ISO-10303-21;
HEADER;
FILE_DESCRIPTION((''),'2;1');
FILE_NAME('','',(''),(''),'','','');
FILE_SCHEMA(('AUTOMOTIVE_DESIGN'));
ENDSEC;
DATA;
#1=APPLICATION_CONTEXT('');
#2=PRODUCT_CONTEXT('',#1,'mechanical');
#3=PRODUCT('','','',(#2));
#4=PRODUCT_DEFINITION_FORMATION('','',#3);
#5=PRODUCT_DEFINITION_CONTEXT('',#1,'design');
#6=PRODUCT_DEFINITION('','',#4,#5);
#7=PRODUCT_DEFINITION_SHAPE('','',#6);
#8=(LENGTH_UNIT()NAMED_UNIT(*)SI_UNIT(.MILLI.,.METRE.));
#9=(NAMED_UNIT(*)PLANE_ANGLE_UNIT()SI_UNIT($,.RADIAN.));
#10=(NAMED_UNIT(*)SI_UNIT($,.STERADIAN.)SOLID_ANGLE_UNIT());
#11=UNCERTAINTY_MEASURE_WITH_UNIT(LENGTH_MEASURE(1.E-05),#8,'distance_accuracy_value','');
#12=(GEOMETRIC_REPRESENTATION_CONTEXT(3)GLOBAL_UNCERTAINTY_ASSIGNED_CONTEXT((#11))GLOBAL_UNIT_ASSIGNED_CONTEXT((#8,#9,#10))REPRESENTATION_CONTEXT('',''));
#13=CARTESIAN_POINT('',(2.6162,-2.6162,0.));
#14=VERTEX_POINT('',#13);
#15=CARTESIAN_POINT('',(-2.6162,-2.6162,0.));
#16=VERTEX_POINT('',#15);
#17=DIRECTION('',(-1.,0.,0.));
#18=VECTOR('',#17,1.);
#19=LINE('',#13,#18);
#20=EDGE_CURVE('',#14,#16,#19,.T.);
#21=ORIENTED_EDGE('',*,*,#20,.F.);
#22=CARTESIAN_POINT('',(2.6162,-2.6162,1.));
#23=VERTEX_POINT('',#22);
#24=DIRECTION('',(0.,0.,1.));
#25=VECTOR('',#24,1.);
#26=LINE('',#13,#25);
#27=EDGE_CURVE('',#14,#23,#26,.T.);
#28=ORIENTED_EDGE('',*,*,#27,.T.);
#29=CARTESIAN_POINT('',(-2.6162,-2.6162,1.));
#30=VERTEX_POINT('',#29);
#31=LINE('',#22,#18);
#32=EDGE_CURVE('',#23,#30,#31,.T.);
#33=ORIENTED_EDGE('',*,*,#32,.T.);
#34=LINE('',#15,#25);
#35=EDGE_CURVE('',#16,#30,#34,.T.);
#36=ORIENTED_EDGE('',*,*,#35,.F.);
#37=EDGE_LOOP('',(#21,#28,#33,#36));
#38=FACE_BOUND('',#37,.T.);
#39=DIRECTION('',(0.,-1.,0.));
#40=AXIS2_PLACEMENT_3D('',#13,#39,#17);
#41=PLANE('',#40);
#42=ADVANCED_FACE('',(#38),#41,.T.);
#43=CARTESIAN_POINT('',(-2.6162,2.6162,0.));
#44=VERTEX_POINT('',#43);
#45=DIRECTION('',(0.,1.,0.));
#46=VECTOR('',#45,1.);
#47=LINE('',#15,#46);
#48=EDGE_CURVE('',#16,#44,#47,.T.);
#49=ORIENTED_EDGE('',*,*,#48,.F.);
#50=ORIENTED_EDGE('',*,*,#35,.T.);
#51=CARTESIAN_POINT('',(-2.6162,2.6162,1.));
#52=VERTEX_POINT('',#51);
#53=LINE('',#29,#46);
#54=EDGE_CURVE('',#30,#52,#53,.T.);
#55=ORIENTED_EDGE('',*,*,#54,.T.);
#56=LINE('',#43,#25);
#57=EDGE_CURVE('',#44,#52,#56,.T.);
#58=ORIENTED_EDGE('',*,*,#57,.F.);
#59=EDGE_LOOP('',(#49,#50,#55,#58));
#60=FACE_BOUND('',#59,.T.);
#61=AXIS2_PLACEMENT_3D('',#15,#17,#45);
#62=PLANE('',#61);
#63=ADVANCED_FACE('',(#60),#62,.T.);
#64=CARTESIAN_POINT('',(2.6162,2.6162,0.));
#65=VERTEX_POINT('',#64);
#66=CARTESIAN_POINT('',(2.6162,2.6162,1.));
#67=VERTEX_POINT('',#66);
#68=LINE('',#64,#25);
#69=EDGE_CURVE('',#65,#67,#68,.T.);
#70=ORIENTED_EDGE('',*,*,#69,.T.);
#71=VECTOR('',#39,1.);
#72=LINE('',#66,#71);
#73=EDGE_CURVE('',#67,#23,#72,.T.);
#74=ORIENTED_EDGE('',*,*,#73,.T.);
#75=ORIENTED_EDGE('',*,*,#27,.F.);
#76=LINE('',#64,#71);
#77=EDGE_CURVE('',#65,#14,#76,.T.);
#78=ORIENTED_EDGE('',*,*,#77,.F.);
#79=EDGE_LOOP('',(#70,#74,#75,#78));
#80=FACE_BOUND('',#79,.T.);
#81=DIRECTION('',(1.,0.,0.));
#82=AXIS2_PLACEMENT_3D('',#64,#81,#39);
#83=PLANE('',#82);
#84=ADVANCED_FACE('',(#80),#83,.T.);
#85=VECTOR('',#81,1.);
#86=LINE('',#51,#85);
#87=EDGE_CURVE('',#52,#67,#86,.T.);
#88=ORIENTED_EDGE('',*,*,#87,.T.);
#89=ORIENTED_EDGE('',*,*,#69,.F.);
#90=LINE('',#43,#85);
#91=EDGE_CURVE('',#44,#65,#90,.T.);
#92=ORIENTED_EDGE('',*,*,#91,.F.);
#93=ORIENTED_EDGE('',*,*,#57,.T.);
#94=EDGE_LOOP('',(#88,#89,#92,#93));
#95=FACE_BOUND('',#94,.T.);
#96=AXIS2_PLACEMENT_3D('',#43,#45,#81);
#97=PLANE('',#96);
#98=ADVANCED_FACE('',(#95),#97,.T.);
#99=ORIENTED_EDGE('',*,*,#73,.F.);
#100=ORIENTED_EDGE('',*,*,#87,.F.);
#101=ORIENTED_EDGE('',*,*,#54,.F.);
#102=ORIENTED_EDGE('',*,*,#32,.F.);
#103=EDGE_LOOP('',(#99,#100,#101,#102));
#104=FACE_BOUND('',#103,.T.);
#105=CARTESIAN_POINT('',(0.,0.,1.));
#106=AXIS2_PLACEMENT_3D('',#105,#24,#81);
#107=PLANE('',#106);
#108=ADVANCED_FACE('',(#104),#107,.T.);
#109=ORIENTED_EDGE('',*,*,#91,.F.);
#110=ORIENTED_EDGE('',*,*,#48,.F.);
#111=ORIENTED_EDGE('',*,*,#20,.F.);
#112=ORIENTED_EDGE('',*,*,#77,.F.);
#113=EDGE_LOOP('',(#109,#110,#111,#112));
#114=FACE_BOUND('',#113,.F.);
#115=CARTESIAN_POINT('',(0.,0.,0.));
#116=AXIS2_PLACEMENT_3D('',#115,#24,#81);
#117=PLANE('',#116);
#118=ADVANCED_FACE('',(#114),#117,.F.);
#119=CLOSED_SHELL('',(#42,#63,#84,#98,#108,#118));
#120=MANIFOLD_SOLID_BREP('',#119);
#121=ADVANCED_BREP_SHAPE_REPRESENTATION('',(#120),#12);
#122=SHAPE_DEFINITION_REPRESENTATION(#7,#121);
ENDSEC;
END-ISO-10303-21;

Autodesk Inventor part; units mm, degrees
ref_plane "YZ Plane" through (0, 0, 0) normal (1, 0, 0) x (0, 1, 0)
ref_plane "XZ Plane" through (0, 0, 0) normal (0, 1, 0) x (-1, 0, 0)
ref_plane "XY Plane" through (0, 0, 0) normal (0, 0, 1) x (1, 0, 0)
sketch "E2-5, E2-5_7" plane through (0, 0, 0) normal (0, 0, 1) x (1, 0, 0)
  line L0 (-2.6162, 2.6162) -> (2.6162, 2.6162)
  line L1 (2.6162, 2.6162) -> (2.6162, -2.6162)
  line L2 (2.6162, -2.6162) -> (-2.6162, -2.6162)
  line L3 (-2.6162, -2.6162) -> (-2.6162, 2.6162)
extrude "Extrusion1" add sketch "E2-5, E2-5_7" along normal blind 1
properties part number "E2-5"
